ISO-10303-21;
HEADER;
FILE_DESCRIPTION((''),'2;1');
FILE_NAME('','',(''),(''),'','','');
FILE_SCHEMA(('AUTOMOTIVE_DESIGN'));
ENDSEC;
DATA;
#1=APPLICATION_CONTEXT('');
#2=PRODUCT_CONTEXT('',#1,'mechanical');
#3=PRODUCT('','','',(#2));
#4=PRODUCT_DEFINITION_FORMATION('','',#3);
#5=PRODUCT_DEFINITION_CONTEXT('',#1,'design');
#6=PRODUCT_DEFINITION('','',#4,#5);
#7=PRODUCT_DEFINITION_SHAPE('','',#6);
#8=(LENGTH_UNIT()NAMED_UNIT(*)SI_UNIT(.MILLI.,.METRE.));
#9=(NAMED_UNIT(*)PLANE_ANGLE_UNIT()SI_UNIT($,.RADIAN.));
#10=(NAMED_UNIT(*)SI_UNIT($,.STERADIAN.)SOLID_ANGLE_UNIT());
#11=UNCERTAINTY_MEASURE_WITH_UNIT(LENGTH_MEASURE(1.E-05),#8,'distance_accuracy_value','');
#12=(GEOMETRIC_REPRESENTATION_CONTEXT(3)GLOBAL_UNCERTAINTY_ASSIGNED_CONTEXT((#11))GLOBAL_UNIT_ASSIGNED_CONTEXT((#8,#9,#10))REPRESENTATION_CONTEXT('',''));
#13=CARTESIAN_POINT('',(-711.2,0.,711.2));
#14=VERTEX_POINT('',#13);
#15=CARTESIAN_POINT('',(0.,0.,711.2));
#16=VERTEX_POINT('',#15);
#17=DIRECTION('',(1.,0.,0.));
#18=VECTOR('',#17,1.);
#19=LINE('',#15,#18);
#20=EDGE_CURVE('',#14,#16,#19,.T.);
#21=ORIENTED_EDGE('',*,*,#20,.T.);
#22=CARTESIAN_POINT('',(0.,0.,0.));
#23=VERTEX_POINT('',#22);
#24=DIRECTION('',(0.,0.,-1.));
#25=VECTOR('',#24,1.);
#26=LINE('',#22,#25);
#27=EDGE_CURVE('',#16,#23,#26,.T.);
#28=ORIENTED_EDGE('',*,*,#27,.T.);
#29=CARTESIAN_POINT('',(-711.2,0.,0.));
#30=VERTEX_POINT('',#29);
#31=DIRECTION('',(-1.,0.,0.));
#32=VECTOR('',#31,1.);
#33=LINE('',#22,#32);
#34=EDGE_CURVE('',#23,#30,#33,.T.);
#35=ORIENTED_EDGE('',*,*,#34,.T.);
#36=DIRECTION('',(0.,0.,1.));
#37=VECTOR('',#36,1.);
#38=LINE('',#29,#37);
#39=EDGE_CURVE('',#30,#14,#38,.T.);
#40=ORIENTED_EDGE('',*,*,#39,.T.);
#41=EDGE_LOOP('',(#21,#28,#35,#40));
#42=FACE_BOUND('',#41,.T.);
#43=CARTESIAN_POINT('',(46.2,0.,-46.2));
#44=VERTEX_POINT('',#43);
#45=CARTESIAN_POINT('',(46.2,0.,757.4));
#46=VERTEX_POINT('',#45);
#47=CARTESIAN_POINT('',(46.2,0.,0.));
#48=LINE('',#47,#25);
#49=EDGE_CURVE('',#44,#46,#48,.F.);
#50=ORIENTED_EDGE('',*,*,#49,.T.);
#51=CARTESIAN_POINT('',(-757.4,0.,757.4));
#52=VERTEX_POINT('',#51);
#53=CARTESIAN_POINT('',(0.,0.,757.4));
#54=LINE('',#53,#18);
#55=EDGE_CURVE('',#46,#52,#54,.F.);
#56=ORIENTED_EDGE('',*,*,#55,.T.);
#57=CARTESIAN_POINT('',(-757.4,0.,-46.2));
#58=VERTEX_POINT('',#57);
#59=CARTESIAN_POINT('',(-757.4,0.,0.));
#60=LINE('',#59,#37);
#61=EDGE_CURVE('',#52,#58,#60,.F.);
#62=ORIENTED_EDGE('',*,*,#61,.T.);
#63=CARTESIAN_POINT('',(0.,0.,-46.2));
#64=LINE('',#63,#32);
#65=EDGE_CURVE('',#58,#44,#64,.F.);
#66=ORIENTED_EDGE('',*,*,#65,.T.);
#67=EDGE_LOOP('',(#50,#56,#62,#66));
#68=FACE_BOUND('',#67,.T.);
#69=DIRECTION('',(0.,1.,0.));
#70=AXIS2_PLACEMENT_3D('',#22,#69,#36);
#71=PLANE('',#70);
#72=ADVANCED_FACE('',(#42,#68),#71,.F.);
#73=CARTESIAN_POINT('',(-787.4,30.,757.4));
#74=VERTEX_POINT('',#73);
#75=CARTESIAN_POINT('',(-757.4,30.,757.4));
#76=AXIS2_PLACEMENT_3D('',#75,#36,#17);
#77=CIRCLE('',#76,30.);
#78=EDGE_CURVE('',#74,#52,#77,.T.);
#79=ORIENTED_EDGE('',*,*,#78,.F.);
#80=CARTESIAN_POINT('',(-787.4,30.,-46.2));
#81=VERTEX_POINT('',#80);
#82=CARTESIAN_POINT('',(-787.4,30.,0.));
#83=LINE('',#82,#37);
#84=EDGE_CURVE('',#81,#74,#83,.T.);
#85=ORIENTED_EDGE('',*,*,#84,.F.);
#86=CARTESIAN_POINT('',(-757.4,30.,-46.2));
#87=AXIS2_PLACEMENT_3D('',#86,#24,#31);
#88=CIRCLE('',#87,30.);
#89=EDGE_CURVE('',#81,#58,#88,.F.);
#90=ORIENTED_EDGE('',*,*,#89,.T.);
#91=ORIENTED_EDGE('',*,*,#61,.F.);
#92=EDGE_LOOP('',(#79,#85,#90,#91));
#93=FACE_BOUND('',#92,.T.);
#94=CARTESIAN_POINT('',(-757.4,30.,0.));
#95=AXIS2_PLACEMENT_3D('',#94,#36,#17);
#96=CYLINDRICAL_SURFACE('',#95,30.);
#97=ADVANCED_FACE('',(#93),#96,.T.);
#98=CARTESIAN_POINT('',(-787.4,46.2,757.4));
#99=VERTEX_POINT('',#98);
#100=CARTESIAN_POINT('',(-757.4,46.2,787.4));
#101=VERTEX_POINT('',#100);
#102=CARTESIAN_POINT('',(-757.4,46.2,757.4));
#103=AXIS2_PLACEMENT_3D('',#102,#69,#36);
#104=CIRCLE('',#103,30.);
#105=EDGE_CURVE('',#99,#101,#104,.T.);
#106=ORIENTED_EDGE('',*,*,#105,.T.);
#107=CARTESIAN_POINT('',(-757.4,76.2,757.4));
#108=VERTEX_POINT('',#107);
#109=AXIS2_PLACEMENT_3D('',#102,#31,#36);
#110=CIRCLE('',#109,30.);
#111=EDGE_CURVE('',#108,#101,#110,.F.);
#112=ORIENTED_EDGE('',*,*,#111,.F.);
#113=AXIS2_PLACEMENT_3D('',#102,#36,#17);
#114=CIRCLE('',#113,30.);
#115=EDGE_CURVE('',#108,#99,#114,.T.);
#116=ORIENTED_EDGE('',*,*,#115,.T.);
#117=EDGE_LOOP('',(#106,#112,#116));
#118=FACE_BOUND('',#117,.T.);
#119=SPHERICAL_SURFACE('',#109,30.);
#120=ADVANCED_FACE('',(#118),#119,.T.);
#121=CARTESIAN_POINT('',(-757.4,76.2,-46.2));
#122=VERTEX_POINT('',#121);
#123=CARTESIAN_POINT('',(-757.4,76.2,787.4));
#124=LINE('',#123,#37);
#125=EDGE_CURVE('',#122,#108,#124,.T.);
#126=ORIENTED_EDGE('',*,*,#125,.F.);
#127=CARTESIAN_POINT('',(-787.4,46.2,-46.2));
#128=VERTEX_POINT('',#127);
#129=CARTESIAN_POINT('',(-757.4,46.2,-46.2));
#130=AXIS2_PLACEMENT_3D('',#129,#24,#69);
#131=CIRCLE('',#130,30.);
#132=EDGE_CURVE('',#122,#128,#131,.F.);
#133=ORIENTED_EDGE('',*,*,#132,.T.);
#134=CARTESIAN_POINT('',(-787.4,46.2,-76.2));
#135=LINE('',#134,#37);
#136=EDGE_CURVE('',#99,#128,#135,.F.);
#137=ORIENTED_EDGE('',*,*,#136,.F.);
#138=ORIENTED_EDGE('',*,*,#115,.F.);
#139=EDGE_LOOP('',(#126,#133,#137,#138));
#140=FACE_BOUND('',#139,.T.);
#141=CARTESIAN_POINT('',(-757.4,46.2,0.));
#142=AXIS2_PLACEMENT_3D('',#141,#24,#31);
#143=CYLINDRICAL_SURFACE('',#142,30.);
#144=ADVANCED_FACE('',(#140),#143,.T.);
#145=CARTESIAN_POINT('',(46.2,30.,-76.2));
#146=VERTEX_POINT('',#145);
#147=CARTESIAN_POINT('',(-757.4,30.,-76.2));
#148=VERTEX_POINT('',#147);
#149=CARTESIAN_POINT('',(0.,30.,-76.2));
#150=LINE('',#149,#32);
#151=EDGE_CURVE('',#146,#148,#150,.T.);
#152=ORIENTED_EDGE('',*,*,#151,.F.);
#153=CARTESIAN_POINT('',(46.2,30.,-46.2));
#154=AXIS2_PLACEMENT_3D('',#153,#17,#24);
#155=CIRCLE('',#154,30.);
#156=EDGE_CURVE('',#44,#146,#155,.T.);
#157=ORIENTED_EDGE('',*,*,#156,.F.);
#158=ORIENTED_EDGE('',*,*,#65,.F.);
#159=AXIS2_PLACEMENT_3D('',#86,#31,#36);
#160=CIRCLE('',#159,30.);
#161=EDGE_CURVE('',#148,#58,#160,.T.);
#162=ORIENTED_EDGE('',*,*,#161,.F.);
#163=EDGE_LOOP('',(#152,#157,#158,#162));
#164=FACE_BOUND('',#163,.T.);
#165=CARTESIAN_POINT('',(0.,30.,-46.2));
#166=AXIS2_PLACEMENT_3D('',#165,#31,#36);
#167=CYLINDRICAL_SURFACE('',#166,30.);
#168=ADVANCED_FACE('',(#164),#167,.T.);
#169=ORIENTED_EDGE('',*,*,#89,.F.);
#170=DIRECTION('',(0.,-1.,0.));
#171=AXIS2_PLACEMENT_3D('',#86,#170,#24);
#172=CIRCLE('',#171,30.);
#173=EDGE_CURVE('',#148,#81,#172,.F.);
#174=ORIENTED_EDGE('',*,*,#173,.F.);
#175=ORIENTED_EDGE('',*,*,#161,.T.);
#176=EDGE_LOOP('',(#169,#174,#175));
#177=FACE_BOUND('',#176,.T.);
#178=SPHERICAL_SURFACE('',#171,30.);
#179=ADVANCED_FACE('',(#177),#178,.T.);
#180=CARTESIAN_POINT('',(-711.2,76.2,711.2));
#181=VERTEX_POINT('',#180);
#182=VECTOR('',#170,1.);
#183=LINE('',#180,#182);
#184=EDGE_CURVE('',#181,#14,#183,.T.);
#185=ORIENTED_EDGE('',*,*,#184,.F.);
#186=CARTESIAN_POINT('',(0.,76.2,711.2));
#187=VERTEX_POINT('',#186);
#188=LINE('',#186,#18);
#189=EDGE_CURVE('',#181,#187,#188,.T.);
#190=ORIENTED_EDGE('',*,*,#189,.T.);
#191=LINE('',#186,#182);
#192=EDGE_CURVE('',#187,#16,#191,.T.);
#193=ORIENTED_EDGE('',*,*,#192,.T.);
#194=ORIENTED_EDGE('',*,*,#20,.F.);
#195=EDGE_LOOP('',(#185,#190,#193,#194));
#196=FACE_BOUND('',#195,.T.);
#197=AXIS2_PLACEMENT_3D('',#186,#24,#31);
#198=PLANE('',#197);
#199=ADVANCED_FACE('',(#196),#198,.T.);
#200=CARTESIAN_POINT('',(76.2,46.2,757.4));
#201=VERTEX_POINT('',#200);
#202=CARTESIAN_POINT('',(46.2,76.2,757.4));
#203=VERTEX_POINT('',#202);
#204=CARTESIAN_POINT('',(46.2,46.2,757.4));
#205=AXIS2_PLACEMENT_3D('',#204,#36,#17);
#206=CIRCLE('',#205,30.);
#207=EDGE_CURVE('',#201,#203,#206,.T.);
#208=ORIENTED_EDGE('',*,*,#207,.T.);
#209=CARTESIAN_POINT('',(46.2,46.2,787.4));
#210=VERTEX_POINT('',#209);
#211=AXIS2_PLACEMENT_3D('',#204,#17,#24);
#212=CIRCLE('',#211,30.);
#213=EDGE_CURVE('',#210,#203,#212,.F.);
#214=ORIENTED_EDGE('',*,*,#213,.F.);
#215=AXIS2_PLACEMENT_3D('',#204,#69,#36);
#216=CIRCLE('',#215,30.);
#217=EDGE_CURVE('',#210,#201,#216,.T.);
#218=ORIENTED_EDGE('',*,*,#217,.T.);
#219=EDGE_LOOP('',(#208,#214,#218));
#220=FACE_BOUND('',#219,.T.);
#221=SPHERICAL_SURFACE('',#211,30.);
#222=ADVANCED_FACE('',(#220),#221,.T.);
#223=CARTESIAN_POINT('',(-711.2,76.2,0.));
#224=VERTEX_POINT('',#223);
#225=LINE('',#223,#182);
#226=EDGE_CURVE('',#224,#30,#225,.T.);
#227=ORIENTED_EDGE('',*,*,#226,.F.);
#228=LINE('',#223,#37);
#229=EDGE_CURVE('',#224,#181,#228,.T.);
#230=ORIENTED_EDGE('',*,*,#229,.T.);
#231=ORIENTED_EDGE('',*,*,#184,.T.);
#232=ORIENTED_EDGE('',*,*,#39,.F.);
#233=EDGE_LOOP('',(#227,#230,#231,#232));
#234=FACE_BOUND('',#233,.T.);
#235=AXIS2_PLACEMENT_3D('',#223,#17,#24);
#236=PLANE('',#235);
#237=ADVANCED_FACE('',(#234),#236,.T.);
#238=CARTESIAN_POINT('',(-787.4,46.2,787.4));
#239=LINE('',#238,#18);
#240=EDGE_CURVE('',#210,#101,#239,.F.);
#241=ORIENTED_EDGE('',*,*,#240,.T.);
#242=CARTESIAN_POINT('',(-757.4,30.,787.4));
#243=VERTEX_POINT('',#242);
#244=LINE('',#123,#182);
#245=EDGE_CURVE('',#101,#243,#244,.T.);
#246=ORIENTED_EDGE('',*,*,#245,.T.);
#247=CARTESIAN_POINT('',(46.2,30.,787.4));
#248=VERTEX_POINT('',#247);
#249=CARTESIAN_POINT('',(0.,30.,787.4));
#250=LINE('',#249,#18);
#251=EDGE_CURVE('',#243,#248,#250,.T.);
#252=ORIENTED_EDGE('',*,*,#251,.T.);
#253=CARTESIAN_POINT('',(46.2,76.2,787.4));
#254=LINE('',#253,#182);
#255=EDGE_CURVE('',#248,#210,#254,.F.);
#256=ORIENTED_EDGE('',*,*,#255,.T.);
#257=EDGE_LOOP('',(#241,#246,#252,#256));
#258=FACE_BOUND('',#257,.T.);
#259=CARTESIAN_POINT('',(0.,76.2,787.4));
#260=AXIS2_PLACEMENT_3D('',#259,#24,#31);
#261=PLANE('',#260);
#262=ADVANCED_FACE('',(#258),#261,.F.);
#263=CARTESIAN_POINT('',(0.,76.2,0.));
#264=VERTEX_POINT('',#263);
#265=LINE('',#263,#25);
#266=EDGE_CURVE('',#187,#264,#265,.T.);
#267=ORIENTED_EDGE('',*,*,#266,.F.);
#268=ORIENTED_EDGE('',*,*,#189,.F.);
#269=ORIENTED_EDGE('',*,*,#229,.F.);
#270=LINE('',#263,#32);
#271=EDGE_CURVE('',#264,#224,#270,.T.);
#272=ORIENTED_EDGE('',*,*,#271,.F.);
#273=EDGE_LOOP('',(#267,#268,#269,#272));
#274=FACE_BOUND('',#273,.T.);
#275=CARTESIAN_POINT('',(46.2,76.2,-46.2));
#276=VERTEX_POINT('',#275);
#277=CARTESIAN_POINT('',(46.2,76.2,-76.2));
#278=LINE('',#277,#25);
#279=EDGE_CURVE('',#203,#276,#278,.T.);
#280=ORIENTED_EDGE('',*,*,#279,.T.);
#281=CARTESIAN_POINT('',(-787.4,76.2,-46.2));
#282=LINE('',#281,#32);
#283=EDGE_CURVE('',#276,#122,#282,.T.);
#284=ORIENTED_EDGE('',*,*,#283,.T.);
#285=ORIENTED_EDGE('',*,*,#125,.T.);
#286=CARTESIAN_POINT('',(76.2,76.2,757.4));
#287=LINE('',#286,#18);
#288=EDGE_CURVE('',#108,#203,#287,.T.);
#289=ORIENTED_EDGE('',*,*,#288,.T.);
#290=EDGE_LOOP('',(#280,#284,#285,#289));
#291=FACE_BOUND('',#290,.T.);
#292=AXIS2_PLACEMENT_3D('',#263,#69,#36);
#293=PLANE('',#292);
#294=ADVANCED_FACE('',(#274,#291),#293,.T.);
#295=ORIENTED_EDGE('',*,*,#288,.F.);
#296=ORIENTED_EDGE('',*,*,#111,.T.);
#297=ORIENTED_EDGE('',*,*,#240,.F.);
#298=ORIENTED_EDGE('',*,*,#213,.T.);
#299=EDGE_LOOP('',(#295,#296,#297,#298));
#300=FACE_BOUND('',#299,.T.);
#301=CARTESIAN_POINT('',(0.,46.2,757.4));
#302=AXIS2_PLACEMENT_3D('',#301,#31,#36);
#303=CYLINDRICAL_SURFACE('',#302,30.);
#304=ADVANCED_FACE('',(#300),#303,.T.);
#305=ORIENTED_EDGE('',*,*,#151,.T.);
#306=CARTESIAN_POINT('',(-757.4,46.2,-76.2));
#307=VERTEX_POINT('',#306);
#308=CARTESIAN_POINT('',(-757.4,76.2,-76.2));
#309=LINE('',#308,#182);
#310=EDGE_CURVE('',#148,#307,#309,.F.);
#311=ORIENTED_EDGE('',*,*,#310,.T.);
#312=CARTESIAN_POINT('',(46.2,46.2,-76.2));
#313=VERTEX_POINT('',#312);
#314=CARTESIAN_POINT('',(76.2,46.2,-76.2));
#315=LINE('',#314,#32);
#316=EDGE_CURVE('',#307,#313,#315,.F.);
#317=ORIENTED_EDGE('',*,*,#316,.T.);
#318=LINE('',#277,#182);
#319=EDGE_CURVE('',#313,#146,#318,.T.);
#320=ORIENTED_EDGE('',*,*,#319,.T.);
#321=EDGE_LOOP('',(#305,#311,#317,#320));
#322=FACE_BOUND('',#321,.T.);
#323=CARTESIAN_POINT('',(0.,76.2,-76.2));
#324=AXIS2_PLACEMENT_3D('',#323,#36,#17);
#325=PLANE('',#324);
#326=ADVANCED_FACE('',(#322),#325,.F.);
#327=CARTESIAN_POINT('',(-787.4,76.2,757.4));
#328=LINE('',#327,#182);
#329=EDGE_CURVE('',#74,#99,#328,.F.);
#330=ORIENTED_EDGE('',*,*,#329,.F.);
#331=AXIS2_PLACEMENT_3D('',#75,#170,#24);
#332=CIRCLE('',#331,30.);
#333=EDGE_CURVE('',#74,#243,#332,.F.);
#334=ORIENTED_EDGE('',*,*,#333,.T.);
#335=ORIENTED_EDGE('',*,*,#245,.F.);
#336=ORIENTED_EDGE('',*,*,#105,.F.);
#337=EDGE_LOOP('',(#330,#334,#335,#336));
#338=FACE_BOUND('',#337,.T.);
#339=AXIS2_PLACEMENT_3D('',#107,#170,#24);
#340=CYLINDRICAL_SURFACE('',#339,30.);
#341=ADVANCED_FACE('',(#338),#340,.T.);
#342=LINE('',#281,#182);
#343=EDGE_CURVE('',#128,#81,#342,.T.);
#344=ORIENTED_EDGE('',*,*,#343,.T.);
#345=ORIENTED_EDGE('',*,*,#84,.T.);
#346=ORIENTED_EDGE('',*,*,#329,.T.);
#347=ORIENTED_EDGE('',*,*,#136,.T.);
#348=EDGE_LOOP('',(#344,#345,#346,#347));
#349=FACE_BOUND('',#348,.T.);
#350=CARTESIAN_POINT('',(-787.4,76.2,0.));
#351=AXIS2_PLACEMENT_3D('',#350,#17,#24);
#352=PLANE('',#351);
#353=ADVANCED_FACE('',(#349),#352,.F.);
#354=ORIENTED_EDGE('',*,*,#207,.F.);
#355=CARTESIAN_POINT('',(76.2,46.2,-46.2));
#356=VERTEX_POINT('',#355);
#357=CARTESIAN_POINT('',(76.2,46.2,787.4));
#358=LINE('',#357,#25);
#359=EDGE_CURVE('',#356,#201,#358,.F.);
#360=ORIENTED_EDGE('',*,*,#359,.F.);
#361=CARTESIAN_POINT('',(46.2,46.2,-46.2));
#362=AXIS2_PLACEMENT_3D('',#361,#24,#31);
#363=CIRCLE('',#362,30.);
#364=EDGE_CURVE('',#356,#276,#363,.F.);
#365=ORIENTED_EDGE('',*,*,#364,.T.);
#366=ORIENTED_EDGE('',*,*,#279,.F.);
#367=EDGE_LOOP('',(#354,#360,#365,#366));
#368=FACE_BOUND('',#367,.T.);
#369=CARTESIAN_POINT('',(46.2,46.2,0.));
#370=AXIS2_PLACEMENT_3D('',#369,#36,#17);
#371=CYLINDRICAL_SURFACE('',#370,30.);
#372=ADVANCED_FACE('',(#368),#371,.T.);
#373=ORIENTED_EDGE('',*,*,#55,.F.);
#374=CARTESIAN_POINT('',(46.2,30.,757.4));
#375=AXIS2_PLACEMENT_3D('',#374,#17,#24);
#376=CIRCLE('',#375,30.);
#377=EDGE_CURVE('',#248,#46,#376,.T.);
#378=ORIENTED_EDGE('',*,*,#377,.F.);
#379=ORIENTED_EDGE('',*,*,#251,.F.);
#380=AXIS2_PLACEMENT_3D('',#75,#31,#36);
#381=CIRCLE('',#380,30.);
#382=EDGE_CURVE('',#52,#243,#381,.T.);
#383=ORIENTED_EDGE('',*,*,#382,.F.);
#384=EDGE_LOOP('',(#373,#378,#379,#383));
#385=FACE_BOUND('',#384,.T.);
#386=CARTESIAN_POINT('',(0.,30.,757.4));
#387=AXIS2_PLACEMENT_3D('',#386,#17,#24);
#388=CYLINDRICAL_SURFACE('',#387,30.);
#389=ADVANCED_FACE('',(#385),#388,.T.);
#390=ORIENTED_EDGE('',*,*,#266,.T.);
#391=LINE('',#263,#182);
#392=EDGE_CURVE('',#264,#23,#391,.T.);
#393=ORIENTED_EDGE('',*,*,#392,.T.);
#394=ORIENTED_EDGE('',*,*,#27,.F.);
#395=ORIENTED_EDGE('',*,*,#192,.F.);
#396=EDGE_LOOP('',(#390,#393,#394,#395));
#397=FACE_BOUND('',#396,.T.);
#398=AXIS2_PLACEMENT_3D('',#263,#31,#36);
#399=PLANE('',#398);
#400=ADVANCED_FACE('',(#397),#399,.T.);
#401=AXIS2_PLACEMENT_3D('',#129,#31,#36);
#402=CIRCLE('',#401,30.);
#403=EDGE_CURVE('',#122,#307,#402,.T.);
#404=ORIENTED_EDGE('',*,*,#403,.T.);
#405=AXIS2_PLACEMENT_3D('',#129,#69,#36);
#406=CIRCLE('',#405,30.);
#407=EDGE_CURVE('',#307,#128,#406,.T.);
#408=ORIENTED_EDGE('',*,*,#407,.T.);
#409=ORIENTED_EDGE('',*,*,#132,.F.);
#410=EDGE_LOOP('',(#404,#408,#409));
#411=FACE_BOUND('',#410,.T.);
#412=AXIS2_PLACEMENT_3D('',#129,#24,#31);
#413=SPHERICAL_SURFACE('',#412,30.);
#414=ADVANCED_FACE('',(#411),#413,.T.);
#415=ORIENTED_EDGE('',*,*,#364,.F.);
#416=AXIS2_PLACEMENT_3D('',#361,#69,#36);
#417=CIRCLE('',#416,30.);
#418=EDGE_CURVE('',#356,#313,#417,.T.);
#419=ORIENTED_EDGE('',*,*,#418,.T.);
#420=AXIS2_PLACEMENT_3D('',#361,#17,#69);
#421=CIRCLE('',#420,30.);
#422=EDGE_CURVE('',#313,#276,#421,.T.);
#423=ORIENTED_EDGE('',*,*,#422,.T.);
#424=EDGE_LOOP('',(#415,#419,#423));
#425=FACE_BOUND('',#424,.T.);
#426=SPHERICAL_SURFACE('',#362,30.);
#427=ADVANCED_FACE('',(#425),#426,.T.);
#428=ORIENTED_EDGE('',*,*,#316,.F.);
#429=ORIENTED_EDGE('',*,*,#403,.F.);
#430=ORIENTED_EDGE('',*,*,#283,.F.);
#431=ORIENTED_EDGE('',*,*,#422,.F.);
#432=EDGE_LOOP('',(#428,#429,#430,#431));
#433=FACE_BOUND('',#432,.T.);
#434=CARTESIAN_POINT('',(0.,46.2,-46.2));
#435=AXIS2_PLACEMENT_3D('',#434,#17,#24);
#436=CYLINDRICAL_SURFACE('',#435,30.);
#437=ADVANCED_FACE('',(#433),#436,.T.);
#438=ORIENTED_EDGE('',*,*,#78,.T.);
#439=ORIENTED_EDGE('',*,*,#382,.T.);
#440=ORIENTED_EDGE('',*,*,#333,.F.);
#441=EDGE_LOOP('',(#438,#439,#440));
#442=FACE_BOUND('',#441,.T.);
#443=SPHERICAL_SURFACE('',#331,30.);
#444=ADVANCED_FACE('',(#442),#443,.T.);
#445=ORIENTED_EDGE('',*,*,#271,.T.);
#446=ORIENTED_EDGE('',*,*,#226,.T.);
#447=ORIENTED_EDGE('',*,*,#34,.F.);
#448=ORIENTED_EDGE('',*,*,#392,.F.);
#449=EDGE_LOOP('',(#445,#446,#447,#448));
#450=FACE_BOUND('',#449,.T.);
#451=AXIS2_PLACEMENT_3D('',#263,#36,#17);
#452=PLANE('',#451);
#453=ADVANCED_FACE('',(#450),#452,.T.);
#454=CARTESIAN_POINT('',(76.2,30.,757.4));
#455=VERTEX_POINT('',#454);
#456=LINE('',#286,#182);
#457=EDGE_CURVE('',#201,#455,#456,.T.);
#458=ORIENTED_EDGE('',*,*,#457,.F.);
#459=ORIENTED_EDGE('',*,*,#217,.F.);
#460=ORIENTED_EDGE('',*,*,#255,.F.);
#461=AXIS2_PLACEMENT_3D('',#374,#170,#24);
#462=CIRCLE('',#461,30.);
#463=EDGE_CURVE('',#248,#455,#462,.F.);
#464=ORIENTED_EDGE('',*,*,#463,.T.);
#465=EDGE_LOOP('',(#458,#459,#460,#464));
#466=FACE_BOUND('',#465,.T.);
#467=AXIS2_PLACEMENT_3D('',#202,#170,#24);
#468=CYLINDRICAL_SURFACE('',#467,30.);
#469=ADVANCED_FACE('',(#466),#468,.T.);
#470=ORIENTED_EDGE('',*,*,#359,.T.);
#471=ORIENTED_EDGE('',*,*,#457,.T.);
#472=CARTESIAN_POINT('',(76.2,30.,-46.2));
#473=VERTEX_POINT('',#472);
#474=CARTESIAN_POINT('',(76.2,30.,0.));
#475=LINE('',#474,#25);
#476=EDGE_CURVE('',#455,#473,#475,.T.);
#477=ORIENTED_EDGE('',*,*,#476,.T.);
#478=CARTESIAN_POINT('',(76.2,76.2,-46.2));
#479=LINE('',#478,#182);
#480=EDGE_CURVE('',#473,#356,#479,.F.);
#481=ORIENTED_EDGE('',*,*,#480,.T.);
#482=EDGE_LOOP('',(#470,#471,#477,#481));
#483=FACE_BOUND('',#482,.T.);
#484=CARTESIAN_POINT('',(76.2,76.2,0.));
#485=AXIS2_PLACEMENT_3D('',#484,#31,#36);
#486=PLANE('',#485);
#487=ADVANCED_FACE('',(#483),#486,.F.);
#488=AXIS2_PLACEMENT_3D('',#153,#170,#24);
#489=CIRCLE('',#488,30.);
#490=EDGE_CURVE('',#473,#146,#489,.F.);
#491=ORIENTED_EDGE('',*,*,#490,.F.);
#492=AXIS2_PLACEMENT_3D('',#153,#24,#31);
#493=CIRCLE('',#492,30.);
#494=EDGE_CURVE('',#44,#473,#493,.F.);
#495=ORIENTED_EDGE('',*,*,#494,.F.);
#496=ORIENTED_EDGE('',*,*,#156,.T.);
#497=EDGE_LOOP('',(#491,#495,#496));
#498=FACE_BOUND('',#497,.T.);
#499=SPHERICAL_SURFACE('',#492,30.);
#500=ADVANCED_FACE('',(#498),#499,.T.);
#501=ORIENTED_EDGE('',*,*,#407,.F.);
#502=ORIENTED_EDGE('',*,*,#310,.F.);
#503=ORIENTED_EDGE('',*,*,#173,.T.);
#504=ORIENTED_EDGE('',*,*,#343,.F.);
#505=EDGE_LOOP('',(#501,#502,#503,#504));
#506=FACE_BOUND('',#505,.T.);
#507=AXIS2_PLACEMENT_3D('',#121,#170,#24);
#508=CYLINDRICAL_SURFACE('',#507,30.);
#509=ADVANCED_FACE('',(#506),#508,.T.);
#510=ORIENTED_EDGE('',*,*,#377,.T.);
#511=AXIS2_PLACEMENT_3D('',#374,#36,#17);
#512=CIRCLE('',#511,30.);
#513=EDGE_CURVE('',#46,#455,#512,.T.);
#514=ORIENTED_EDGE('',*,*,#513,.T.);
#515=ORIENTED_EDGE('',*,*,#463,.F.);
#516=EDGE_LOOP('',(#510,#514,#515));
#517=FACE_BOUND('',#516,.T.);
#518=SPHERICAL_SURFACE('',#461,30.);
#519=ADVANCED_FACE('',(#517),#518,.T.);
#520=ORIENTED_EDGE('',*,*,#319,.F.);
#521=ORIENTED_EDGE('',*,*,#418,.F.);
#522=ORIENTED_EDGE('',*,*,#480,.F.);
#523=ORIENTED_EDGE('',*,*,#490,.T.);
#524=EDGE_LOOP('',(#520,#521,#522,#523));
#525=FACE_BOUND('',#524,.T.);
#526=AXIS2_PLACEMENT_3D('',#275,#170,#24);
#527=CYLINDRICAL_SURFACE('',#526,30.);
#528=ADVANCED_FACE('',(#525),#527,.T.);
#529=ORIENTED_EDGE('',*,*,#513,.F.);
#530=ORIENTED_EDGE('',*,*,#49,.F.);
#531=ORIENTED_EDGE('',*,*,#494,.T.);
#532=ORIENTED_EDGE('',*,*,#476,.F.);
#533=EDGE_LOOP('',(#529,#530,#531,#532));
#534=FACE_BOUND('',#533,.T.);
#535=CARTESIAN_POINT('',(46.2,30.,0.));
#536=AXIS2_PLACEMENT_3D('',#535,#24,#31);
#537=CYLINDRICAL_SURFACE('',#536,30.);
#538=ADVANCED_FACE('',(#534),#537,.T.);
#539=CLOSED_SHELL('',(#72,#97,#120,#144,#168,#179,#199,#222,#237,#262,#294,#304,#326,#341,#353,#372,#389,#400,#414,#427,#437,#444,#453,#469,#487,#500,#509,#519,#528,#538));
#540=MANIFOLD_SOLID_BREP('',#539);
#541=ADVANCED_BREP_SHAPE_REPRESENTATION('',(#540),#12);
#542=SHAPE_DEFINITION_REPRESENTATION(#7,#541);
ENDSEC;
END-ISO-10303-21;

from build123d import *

# Parameters (mm, degrees)
SKETCH1_W           = 863.6
SKETCH1_H           = 863.6
SKETCH1_W_2         = 711.2
SKETCH1_H_2         = 711.2
EXTRUDE_THIN1_DEPTH = 76.2
FILLET1_R           = 30


with BuildPart() as part:
    # Sketch1 → Extrude-Thin1 (new body)
    with BuildSketch(Plane(origin=(0, 0, 0), x_dir=(1, 0, 0), z_dir=(0, 1, 0))):
        with Locations((-355.6, -355.6)):
            Rectangle(SKETCH1_W, SKETCH1_H)
        with Locations((-355.6, -355.6)):
            Rectangle(SKETCH1_W_2, SKETCH1_H_2, mode=Mode.SUBTRACT)
    extrude(amount=EXTRUDE_THIN1_DEPTH)

    # Fillet1
    fillet1_edges = [part.edges().sort_by_distance(p)[0] for p in [
        (-787.4, 76.2, 355.6),
        (-355.6, 76.2, 787.4),
        (-355.6, 0, 787.4),
        (-787.4, 0, 355.6),
        (-355.6, 0, -76.2),
        (76.2, 0, 355.6),
        (76.2, 76.2, 355.6),
        (76.2, 38.1, 787.4),
        (-787.4, 38.1, 787.4),
        (-787.4, 38.1, -76.2),
        (76.2, 38.1, -76.2),
        (-355.6, 76.2, -76.2),
    ]]
    fillet(fillet1_edges, radius=FILLET1_R)


solid = part.part
